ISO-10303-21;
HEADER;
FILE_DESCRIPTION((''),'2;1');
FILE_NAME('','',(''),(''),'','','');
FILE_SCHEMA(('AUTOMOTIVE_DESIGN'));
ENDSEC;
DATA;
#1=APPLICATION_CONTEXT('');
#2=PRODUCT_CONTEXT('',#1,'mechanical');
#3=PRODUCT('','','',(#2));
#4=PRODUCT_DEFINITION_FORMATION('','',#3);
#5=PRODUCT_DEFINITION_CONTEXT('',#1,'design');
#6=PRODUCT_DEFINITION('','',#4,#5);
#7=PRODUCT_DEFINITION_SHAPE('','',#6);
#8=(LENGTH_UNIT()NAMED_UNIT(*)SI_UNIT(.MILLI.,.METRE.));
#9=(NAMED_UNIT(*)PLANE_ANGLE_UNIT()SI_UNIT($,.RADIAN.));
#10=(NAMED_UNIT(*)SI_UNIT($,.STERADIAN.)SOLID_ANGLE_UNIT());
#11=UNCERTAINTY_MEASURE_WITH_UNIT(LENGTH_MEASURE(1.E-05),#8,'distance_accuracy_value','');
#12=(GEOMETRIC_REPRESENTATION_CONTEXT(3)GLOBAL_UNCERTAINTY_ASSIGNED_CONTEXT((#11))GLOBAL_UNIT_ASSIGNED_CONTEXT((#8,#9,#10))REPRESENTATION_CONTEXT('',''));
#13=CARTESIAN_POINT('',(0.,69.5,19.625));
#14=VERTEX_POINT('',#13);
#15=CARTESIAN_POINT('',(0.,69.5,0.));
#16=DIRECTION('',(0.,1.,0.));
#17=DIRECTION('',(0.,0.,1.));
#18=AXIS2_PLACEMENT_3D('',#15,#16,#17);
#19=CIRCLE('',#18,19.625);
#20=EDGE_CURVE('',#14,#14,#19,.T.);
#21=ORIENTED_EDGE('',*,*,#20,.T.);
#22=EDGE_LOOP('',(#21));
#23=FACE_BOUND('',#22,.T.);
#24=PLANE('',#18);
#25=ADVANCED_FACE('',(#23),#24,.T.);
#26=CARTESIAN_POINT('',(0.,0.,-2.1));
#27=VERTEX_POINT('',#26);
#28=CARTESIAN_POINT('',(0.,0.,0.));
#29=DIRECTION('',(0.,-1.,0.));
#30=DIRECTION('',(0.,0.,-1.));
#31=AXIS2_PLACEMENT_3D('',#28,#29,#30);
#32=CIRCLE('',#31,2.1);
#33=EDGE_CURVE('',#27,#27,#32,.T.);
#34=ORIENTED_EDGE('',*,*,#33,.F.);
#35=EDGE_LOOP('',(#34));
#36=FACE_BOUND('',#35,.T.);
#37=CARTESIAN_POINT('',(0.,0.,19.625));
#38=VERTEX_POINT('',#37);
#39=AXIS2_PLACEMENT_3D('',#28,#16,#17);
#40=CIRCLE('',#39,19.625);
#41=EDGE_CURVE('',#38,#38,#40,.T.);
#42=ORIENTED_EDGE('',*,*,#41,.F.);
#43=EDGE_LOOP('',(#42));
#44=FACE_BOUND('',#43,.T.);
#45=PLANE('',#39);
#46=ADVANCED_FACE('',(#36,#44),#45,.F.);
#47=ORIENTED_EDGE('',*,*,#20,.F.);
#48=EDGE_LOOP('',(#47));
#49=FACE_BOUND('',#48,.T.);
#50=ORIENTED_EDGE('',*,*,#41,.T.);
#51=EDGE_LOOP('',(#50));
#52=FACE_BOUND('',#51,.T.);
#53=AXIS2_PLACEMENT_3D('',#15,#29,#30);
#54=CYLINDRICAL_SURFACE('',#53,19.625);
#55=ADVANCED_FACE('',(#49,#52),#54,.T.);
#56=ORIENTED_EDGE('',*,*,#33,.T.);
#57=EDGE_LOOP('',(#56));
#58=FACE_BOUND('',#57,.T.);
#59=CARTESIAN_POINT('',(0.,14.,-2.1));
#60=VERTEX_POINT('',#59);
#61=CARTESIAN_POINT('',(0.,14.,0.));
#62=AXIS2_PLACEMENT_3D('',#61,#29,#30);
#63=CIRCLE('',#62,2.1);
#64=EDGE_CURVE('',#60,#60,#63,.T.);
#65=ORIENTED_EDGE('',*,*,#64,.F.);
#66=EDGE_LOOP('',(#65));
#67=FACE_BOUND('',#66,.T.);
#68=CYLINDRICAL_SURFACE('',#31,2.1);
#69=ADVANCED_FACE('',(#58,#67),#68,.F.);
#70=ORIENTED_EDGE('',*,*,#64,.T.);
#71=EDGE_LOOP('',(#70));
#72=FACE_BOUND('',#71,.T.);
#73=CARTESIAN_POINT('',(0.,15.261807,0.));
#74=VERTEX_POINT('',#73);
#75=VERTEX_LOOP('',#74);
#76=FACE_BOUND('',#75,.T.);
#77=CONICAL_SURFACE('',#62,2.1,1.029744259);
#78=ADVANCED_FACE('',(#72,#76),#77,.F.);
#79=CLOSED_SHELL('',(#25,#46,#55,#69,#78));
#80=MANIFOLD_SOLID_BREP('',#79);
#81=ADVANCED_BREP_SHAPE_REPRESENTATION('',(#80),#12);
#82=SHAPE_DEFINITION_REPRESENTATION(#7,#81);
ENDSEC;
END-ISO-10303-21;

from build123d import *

# Parameters (mm, degrees)
SKETCH_1_R            = 19.625
EXTRUDE_1_DEPTH       = 69.5
HOLE_WIZARD_M51_D     = 4.2
HOLE_WIZARD_M51_DEPTH = 14
HOLE_WIZARD_M51_TIP   = 1.2618073


with BuildPart() as part:
    # Эскиз1 → Бобышка-Вытянуть1 (new body)
    with BuildSketch(Plane(origin=(0, 0, 0), x_dir=(1, 0, 0), z_dir=(0, 1, 0))):
        with Locations(Location((0, 0, 0), (0, 0, 270))):
            Circle(SKETCH_1_R)
    extrude(amount=EXTRUDE_1_DEPTH)

    # Отверстие обработанное метчиком M51
    with Locations(Plane(origin=(0, 0, 0), x_dir=(-1, 0, 0), z_dir=(0, -1, 0))):
        with Locations((0, 0)):
            Hole(HOLE_WIZARD_M51_D / 2, depth=HOLE_WIZARD_M51_DEPTH)
            with Locations((0, 0, -(HOLE_WIZARD_M51_DEPTH + HOLE_WIZARD_M51_TIP / 2))):  # 118° drill point
                Cone(0, HOLE_WIZARD_M51_D / 2, HOLE_WIZARD_M51_TIP, mode=Mode.SUBTRACT)


solid = part.part
